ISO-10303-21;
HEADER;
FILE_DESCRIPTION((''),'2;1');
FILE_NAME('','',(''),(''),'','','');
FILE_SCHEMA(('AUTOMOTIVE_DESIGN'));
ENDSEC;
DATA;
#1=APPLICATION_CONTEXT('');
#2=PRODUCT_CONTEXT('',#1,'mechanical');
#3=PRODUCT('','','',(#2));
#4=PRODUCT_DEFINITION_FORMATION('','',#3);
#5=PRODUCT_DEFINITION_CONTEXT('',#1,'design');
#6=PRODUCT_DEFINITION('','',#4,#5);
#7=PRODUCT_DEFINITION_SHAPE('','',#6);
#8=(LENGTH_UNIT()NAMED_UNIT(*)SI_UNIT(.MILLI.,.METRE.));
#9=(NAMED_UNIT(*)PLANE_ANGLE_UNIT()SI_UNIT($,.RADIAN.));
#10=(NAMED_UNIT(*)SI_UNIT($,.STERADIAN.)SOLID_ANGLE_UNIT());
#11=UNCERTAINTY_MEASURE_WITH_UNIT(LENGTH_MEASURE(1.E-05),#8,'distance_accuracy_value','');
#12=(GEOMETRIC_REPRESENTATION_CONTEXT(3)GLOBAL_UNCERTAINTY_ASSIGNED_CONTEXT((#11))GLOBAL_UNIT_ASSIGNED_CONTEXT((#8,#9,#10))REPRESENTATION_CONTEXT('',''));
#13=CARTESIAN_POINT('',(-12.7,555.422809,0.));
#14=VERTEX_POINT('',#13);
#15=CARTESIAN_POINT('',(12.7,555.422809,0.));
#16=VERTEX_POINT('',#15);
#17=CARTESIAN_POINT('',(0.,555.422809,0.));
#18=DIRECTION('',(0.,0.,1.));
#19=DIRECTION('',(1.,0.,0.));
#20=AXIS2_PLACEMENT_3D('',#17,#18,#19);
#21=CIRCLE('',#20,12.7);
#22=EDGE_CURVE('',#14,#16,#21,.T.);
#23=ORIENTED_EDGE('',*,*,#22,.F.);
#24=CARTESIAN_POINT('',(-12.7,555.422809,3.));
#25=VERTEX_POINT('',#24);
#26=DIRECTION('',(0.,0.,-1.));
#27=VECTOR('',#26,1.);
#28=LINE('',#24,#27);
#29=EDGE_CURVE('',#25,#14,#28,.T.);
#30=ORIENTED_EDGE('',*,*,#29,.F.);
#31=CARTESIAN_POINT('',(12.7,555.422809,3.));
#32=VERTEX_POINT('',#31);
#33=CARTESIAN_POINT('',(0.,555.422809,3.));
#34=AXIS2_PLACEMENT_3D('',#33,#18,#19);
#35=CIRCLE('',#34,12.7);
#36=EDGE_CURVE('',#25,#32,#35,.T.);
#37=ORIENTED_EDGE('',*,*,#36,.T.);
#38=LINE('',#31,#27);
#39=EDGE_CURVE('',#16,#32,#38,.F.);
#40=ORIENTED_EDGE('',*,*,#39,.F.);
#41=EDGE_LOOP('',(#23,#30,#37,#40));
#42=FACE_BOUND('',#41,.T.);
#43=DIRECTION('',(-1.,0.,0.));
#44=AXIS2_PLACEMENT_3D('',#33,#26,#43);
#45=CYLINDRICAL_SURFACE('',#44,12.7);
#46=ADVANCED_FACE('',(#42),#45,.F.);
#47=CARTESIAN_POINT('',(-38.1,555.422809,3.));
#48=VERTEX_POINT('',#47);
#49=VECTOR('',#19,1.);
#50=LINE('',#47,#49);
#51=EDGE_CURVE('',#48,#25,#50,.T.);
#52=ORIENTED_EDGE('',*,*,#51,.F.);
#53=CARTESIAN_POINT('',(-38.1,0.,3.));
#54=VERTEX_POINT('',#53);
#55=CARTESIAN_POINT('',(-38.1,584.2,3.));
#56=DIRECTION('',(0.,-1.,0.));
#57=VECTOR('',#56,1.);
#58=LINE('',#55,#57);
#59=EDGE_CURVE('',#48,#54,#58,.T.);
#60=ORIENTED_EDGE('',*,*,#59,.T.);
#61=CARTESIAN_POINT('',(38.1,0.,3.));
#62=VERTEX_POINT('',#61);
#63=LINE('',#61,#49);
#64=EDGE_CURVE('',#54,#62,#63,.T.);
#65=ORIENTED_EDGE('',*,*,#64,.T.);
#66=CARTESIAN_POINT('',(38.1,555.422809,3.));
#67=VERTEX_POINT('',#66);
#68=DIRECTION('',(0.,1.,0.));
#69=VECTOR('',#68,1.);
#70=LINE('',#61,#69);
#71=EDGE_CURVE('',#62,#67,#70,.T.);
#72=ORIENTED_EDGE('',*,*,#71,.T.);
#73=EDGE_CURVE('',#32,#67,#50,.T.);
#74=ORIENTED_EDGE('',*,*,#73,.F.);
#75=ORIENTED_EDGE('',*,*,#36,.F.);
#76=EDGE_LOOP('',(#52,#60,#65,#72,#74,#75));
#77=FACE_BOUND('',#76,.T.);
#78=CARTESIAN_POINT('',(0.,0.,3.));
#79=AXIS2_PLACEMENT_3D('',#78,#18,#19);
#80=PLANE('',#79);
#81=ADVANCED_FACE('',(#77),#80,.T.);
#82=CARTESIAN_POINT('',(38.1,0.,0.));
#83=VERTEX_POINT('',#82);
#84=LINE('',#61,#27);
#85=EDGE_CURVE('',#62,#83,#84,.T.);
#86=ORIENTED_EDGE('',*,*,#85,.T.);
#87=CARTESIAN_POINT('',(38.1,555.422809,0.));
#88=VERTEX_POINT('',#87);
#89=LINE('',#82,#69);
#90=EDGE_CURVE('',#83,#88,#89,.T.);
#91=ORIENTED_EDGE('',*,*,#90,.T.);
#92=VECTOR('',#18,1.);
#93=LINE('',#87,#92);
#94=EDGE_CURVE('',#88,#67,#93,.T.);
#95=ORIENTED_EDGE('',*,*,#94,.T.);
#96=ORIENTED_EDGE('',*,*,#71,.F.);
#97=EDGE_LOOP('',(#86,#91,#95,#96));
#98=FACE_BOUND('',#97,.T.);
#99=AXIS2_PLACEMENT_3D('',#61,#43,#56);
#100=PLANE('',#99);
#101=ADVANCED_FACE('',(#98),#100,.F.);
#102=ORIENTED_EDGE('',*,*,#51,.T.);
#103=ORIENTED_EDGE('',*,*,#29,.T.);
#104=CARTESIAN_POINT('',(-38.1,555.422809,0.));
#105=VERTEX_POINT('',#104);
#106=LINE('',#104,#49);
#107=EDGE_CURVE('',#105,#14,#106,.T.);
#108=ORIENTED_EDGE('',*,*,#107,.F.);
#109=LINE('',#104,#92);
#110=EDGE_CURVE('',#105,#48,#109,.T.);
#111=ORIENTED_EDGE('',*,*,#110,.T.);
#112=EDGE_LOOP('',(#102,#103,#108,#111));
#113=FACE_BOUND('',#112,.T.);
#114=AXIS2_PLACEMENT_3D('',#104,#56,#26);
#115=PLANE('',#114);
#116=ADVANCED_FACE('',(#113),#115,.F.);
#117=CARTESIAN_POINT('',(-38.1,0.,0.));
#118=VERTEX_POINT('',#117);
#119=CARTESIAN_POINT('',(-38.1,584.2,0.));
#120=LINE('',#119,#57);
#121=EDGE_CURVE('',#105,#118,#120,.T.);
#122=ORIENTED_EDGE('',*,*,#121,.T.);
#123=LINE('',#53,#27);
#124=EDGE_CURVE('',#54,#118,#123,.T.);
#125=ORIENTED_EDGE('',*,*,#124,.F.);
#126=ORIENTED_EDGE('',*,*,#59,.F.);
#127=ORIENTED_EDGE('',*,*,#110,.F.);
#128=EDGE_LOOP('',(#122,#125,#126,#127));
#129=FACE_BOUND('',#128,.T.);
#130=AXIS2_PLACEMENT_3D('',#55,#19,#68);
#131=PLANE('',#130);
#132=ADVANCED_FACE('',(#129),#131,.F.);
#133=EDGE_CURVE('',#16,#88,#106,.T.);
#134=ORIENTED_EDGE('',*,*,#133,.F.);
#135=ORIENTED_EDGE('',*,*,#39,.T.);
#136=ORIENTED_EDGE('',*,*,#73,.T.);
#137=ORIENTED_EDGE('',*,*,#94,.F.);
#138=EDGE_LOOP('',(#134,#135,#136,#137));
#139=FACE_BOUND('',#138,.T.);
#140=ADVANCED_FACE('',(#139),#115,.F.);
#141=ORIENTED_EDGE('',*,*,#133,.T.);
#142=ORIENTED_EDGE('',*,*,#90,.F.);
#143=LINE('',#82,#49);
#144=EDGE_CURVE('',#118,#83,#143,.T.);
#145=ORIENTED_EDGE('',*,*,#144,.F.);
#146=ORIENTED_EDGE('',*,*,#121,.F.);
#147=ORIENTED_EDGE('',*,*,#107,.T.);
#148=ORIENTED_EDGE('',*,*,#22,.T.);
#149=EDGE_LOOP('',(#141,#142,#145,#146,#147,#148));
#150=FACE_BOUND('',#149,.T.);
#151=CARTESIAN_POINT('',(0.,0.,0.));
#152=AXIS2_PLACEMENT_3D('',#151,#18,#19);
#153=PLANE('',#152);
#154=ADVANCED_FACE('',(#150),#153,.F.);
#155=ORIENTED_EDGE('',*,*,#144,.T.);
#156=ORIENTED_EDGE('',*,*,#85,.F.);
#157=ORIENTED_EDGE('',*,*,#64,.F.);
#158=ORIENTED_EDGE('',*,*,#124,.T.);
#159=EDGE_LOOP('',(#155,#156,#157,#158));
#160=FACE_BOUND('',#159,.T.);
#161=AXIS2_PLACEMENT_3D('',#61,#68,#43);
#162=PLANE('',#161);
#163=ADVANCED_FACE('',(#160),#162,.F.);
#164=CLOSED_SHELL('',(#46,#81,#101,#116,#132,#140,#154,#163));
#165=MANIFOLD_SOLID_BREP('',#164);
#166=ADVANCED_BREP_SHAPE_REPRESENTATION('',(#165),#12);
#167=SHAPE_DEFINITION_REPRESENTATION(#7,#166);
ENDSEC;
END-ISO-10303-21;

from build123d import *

# Parameters (mm, degrees)
SKETCH1_W           = 76.2
SKETCH1_H           = 584.2
SKETCH1_R           = 12.7
BOSS_EXTRUDE1_DEPTH = 3
SKETCH2_W           = 76.2
SKETCH2_H           = 28.777191139
CUT_OUT_DEPTH       = 586.4487595


with BuildPart() as part:
    # Sketch1 → Boss-Extrude1 (new body)
    with BuildSketch(Plane.XY):
        with Locations((0, 292.1)):
            Rectangle(SKETCH1_W, SKETCH1_H)
        with Locations((0, 555.422808861)):
            Circle(SKETCH1_R, mode=Mode.SUBTRACT)
    extrude(amount=BOSS_EXTRUDE1_DEPTH)

    # Sketch2 → Cut Out (cut, through all)
    with BuildSketch(Plane.XY.offset(3)):
        with Locations((0, 569.811404431)):
            Rectangle(SKETCH2_W, SKETCH2_H)
    extrude(amount=-CUT_OUT_DEPTH, mode=Mode.SUBTRACT)


solid = part.part
